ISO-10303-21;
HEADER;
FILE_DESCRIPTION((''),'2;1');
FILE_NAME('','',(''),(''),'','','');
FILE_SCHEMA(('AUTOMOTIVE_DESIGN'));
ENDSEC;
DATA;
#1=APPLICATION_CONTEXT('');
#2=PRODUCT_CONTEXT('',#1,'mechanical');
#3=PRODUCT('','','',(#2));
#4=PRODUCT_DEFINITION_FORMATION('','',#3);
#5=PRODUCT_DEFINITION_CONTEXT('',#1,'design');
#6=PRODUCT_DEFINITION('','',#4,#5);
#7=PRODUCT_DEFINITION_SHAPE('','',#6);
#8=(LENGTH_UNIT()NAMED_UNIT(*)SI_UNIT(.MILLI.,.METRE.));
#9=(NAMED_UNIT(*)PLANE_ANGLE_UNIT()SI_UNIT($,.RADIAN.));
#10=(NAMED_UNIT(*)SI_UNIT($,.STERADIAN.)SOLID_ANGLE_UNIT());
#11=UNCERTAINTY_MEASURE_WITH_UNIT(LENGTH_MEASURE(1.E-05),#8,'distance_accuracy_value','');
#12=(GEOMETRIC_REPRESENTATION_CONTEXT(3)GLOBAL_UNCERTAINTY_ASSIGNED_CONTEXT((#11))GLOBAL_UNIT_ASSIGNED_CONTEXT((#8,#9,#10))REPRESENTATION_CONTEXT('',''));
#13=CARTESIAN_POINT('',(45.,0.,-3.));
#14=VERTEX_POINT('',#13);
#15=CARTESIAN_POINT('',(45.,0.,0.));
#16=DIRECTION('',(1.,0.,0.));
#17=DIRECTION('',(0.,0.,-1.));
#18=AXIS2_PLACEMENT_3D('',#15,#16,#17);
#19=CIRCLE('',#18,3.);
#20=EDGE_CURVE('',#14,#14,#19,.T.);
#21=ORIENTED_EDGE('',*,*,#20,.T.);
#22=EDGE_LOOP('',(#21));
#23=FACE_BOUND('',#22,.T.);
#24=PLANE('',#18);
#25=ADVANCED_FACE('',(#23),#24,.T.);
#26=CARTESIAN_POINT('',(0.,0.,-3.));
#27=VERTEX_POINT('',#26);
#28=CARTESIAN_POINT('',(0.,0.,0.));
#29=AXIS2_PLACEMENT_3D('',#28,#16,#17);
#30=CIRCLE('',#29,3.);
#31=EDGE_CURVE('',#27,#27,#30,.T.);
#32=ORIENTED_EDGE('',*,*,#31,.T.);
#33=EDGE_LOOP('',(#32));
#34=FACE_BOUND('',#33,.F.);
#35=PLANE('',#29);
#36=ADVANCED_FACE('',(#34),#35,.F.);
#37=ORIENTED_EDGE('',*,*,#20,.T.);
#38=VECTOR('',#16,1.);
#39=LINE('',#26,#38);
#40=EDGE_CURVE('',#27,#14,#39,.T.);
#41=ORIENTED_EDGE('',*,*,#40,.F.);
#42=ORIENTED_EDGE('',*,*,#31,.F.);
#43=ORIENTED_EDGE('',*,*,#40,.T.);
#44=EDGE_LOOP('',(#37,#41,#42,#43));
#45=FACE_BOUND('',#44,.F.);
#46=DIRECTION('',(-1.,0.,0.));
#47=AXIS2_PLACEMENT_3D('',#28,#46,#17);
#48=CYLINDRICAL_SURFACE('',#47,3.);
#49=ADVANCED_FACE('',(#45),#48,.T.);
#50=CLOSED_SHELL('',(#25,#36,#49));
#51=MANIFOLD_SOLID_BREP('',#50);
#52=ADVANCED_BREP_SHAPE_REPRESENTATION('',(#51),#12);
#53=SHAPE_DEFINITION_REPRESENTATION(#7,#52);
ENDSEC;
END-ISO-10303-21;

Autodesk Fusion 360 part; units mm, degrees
sketch "Sketch1" plane through (0, 0, 0) normal (1, 0, 0) x (0, 0, -1)
  circle A0 centre (0, 0) radius 3
  dimension "d1" = 6
extrude "Extrude1" add sketch "Sketch1" along normal blind 45
